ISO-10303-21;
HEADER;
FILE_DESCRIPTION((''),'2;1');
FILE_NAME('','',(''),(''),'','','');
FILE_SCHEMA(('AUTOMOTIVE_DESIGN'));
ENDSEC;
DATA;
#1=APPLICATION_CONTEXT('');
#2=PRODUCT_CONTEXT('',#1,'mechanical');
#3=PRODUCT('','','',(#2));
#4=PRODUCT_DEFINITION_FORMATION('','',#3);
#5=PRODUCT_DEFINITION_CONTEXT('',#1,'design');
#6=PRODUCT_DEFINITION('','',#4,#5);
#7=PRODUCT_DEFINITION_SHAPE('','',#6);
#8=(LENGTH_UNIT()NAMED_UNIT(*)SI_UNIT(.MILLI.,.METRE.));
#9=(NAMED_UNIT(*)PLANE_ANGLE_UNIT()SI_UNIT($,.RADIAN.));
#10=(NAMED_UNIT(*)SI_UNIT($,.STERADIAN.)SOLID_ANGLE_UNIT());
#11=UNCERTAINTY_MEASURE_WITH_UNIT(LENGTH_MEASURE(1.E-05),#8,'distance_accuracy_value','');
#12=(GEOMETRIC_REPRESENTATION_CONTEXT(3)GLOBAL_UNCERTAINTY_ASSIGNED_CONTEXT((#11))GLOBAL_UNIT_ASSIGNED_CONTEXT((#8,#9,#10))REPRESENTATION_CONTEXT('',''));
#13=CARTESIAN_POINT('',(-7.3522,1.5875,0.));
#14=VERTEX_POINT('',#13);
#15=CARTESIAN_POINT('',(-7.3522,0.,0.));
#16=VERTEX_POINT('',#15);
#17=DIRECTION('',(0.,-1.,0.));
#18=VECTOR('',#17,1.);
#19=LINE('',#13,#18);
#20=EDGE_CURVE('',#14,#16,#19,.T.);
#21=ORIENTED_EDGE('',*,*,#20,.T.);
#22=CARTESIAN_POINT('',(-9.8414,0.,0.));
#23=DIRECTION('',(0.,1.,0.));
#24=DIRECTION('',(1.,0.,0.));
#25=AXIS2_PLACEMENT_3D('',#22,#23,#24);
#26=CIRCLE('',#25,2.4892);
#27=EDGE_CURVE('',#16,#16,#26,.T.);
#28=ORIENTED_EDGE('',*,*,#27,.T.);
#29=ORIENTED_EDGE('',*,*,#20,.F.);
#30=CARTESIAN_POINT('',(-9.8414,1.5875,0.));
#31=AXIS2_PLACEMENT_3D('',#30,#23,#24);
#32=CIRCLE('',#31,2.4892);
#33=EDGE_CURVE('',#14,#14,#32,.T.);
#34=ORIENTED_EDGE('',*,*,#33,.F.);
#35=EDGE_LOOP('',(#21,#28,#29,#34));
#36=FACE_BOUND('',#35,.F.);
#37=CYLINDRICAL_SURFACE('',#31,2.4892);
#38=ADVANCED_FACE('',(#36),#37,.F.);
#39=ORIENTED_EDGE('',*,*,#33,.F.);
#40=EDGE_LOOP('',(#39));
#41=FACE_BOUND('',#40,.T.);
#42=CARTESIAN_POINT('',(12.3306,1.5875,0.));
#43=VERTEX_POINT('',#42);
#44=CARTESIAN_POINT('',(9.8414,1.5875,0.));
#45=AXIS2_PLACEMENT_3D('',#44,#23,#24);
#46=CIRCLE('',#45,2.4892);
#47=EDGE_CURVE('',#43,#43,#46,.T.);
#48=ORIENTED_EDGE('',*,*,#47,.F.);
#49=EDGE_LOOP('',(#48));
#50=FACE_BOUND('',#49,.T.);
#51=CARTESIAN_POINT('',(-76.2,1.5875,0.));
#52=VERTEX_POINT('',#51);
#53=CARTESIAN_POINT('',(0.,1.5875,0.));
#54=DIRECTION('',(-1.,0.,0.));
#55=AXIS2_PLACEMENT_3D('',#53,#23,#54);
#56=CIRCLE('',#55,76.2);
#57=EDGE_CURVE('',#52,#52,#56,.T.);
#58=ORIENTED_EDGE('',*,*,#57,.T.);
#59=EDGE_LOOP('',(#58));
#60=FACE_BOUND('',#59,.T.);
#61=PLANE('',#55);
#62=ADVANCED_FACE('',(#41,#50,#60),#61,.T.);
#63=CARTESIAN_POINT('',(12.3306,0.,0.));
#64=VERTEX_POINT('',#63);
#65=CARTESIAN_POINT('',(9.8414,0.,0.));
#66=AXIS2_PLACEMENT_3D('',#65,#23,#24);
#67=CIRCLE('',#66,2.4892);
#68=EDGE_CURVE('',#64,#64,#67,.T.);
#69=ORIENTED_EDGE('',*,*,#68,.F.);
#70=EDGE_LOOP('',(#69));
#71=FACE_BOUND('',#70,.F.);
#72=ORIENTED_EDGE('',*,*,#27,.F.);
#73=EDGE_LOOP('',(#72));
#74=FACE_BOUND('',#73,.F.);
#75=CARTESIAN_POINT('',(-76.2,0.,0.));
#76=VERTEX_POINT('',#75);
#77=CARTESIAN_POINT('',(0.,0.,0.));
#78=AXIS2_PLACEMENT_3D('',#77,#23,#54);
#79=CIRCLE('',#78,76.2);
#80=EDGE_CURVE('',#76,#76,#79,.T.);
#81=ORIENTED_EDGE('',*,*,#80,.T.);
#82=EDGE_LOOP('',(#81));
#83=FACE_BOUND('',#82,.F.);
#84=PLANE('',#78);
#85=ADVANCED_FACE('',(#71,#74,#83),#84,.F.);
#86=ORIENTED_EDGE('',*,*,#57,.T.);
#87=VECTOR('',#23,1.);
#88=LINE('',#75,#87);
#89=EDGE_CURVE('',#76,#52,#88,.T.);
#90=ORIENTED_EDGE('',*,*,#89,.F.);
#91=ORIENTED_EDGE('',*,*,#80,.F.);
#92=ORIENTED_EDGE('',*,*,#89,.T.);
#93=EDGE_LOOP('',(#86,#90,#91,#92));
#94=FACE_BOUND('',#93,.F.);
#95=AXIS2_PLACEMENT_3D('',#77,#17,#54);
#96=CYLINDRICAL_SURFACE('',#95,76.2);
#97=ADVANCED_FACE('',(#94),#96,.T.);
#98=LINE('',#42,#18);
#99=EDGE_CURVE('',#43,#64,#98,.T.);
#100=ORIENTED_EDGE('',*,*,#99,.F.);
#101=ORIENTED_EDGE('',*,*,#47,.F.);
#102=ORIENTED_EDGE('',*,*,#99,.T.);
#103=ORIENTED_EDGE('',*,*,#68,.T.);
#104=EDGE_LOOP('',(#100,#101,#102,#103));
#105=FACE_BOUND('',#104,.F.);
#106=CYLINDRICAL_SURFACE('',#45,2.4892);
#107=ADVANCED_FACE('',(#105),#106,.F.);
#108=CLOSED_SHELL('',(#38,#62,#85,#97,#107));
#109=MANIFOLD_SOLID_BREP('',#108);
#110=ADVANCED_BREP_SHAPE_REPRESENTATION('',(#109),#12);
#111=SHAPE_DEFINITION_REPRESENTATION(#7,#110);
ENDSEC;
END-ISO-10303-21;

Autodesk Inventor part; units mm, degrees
ref_plane "YZ Plane" through (0, 0, 0) normal (1, 0, 0) x (0, 1, 0)
ref_plane "XZ Plane" through (0, 0, 0) normal (0, 1, 0) x (-1, 0, 0)
ref_plane "XY Plane" through (0, 0, 0) normal (0, 0, 1) x (1, 0, 0)
sketch "Sketch1" plane through (0, 0, 0) normal (0, 1, 0) x (-1, 0, 0)
  circle A0 centre (0, 0) radius 76.2
  dimension "d0" = 152.4
extrude "Extrusion1" add sketch "Sketch1" along normal blind 1.5875
sketch "Sketch2" plane through (0, 1.5875, 0) normal (0, 1, 0) x (1, 0, 0)
  circle A0 centre (-9.8414, 0) radius 2.4892
  circle A1 centre (9.8414, 0) radius 2.4892
  line L0 (0, 0) -> (0, 2.4892) construction
  dimension "d3" = 4.9784
  dimension "d4" = 4.9784
  dimension "d5" = 19.6829
extrude "Extrusion2" cut sketch "Sketch2" against normal through all
properties part number "OUTK_008_Plunger" material "Acetal Resin, Black"
